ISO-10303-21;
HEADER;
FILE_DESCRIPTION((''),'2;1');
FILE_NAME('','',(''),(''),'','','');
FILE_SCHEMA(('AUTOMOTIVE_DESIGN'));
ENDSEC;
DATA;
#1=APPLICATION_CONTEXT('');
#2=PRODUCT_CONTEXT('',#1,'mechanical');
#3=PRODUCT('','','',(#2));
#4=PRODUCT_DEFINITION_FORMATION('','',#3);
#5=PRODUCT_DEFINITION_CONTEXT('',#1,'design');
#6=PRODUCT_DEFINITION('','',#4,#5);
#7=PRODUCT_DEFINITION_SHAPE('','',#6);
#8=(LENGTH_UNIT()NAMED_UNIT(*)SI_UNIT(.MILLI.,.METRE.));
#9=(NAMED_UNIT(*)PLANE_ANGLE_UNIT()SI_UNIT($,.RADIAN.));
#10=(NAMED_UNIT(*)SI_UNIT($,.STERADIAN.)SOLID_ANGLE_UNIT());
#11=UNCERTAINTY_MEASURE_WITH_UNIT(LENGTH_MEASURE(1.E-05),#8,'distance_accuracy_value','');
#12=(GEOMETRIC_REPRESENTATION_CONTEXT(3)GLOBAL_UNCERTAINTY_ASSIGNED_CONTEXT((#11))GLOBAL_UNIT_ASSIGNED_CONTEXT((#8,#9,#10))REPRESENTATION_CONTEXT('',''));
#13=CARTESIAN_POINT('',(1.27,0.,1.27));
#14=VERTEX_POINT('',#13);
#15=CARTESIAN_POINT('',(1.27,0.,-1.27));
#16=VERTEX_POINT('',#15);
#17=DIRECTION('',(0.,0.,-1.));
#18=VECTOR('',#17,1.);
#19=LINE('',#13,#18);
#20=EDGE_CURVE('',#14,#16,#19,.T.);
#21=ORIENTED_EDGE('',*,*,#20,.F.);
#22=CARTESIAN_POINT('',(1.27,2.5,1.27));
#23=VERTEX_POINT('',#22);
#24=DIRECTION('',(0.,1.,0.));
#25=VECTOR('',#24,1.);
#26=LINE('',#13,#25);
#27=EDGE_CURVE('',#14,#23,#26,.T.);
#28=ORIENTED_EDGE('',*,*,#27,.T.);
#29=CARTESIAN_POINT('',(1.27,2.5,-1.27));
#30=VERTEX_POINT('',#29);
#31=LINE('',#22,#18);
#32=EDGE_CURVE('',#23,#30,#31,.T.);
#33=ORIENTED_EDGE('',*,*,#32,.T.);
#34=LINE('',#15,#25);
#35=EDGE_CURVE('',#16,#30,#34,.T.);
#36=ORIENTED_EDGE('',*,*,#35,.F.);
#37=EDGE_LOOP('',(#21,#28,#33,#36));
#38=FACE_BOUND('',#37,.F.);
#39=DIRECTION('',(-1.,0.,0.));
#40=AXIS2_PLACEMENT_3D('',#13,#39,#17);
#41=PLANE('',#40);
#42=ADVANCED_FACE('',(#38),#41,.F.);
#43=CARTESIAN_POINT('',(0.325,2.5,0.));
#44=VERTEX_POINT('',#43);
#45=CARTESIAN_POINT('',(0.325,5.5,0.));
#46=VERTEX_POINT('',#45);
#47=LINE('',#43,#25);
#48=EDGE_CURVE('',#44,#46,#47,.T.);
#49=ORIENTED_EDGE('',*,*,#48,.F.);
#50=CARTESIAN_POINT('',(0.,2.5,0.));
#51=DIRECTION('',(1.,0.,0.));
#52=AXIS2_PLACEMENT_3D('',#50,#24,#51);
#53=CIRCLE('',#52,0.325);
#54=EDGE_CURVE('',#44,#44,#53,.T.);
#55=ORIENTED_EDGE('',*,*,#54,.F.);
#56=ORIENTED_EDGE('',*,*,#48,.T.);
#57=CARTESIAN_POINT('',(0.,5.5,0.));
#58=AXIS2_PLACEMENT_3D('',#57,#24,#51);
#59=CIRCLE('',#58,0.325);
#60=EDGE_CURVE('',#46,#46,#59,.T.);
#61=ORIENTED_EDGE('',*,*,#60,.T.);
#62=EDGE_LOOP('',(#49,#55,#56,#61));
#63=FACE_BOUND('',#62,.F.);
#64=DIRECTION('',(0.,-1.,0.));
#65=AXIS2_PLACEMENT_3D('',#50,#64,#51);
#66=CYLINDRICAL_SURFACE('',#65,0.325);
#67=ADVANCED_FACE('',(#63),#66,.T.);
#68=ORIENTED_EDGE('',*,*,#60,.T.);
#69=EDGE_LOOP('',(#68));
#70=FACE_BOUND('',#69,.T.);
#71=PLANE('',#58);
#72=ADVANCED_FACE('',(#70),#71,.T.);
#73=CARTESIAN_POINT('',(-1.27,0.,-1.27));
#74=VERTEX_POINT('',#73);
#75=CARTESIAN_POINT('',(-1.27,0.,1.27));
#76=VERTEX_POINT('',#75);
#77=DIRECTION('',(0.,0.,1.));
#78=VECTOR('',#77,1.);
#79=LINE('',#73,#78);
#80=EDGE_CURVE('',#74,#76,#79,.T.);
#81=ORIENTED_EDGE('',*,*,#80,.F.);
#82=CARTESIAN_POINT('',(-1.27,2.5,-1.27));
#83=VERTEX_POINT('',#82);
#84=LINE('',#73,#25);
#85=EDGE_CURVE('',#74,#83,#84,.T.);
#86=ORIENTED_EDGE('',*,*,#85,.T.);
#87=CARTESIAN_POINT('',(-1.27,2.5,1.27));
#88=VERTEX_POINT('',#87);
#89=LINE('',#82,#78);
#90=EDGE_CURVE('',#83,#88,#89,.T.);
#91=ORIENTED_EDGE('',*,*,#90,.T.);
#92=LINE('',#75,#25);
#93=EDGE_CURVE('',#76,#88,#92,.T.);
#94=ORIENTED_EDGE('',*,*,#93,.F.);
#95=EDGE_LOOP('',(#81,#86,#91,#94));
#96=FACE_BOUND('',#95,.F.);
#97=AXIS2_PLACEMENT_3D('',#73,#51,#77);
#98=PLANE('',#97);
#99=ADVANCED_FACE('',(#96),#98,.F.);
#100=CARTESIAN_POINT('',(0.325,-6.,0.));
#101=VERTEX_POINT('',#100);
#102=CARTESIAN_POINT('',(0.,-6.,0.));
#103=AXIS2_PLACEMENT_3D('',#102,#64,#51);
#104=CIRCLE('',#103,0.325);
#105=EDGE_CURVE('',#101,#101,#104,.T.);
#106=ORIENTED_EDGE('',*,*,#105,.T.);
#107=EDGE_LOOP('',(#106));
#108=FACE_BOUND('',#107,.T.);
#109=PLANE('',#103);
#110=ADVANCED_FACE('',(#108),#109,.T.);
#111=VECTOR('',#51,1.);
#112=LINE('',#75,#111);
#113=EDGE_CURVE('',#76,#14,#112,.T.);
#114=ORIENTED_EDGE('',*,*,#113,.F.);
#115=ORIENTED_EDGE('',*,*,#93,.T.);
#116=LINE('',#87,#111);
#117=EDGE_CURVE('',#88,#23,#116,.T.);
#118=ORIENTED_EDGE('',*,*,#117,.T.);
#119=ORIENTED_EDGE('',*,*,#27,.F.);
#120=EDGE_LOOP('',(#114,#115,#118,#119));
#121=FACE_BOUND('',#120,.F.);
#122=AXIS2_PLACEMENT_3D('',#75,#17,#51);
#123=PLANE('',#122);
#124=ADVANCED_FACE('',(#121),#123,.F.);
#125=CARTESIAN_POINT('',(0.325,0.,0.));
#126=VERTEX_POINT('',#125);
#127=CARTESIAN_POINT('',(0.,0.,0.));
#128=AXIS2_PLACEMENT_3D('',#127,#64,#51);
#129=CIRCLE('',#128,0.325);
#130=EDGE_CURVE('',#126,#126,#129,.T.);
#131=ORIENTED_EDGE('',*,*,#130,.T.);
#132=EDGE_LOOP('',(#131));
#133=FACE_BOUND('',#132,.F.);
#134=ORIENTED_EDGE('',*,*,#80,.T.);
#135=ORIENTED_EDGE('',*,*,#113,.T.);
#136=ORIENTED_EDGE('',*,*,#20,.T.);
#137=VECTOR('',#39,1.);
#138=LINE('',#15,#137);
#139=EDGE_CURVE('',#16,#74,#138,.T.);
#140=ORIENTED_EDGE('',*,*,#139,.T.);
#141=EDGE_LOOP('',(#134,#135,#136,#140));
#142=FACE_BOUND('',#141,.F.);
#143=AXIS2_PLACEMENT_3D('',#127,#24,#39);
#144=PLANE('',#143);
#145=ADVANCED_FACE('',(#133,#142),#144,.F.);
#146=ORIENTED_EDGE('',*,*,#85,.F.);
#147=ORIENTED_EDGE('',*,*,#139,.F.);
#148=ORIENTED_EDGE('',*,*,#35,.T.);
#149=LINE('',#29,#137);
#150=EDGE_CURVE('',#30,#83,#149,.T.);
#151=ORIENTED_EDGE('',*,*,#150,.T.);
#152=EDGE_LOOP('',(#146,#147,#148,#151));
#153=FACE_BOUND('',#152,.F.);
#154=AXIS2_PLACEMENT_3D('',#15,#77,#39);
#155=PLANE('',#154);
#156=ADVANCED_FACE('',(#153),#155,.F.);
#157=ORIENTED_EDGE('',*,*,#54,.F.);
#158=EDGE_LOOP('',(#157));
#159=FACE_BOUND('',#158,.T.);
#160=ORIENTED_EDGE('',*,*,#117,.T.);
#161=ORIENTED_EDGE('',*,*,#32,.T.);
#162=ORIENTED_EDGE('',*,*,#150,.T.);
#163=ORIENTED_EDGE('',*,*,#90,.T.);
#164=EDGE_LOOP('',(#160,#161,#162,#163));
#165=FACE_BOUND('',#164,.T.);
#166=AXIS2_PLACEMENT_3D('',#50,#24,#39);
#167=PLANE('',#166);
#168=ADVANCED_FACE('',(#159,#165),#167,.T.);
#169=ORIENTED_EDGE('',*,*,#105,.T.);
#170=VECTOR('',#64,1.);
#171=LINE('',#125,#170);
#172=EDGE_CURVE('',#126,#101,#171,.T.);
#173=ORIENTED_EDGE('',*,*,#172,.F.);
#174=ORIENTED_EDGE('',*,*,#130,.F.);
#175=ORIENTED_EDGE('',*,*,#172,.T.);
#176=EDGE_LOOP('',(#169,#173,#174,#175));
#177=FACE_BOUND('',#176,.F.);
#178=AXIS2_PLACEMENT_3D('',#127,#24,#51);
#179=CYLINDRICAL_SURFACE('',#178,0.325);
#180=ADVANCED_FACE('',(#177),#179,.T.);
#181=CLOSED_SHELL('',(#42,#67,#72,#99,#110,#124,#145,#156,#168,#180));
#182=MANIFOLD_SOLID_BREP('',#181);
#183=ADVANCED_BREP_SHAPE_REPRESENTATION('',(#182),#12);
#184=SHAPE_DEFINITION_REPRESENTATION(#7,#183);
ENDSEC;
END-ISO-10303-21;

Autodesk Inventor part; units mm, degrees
ref_plane "YZ Plane" through (0, 0, 0) normal (1, 0, 0) x (0, 1, 0)
ref_plane "XZ Plane" through (0, 0, 0) normal (0, 1, 0) x (-1, 0, 0)
ref_plane "XY Plane" through (0, 0, 0) normal (0, 0, 1) x (1, 0, 0)
sketch "Sketch1" plane through (0, 0, 0) normal (0, 1, 0) x (-1, 0, 0)
  line L0 (-1.27, -1.27) -> (1.27, -1.27)
  line L1 (1.27, -1.27) -> (1.27, 1.27)
  line L2 (1.27, 1.27) -> (-1.27, 1.27)
  line L3 (-1.27, 1.27) -> (-1.27, -1.27)
  line L4 (-1.27, -1.27) -> (1.27, 1.27) construction
  line L5 (1.27, -1.27) -> (-1.27, 1.27) construction
  point P0 (0, 0)
  dimension "d0" = 2.54
  dimension "d1" = 2.54
extrude "Extrusion1" add sketch "Sketch1" along normal blind 2.5
sketch "Sketch2" plane through (0, 2.5, 0) normal (0, 1, 0) x (1, 0, 0)
  circle A0 centre (0, 0) radius 0.325
  dimension "d4" = 0.65
extrude "Extrusion2" add sketch "Sketch2" along normal blind 3
sketch "Sketch3" plane through (0, 0, 0) normal (0, -1, 0) x (1, 0, 0)
  circle A0 centre (0, 0) radius 0.325
  dimension "d7" = 0.65
extrude "Extrusion3" add sketch "Sketch3" along normal blind 6
properties part number "pin-header-male" material "Aluminum"
